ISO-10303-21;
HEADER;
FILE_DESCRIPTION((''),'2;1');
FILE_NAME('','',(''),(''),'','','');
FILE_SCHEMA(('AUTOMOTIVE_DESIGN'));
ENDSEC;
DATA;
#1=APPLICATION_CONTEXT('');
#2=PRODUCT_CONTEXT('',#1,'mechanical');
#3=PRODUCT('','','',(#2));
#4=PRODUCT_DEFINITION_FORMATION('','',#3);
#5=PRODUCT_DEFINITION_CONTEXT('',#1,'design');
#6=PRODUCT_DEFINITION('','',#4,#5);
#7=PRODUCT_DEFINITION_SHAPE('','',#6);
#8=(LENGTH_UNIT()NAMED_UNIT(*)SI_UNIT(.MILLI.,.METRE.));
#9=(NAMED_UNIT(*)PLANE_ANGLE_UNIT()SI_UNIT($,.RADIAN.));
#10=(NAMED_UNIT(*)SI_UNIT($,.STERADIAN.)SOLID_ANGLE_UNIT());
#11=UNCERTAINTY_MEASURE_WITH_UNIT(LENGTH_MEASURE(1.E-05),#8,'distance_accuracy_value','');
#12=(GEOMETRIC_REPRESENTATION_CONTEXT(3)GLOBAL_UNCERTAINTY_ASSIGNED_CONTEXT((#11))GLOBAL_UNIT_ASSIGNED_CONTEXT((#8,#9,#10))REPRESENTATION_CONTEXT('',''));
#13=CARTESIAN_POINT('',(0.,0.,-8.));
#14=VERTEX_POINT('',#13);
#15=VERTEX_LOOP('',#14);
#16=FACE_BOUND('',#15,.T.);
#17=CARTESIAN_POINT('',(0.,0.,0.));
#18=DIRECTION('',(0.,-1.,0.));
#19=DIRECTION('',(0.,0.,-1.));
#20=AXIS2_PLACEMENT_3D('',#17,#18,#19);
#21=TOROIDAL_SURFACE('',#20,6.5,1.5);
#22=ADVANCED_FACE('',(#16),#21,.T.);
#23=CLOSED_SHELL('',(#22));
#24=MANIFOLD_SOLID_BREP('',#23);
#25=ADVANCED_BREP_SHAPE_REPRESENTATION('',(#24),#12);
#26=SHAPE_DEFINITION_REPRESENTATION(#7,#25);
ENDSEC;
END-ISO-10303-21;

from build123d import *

# Parameters (mm, degrees)
SKETCH_1_R = 1.5


with BuildPart() as part:
    # Эскиз1 → Повернуть1 (revolve)
    with BuildSketch(Plane.XY, mode=Mode.PRIVATE) as revolve_1_sk:
        with Locations((6.5, 0)):
            Circle(SKETCH_1_R)
    revolve(revolve_1_sk.sketch.rotate(Axis((0, 0, 0), (0, 1, 0)), 90), axis=Axis((0, 0, 0), (0, 1, 0)))


solid = part.part
